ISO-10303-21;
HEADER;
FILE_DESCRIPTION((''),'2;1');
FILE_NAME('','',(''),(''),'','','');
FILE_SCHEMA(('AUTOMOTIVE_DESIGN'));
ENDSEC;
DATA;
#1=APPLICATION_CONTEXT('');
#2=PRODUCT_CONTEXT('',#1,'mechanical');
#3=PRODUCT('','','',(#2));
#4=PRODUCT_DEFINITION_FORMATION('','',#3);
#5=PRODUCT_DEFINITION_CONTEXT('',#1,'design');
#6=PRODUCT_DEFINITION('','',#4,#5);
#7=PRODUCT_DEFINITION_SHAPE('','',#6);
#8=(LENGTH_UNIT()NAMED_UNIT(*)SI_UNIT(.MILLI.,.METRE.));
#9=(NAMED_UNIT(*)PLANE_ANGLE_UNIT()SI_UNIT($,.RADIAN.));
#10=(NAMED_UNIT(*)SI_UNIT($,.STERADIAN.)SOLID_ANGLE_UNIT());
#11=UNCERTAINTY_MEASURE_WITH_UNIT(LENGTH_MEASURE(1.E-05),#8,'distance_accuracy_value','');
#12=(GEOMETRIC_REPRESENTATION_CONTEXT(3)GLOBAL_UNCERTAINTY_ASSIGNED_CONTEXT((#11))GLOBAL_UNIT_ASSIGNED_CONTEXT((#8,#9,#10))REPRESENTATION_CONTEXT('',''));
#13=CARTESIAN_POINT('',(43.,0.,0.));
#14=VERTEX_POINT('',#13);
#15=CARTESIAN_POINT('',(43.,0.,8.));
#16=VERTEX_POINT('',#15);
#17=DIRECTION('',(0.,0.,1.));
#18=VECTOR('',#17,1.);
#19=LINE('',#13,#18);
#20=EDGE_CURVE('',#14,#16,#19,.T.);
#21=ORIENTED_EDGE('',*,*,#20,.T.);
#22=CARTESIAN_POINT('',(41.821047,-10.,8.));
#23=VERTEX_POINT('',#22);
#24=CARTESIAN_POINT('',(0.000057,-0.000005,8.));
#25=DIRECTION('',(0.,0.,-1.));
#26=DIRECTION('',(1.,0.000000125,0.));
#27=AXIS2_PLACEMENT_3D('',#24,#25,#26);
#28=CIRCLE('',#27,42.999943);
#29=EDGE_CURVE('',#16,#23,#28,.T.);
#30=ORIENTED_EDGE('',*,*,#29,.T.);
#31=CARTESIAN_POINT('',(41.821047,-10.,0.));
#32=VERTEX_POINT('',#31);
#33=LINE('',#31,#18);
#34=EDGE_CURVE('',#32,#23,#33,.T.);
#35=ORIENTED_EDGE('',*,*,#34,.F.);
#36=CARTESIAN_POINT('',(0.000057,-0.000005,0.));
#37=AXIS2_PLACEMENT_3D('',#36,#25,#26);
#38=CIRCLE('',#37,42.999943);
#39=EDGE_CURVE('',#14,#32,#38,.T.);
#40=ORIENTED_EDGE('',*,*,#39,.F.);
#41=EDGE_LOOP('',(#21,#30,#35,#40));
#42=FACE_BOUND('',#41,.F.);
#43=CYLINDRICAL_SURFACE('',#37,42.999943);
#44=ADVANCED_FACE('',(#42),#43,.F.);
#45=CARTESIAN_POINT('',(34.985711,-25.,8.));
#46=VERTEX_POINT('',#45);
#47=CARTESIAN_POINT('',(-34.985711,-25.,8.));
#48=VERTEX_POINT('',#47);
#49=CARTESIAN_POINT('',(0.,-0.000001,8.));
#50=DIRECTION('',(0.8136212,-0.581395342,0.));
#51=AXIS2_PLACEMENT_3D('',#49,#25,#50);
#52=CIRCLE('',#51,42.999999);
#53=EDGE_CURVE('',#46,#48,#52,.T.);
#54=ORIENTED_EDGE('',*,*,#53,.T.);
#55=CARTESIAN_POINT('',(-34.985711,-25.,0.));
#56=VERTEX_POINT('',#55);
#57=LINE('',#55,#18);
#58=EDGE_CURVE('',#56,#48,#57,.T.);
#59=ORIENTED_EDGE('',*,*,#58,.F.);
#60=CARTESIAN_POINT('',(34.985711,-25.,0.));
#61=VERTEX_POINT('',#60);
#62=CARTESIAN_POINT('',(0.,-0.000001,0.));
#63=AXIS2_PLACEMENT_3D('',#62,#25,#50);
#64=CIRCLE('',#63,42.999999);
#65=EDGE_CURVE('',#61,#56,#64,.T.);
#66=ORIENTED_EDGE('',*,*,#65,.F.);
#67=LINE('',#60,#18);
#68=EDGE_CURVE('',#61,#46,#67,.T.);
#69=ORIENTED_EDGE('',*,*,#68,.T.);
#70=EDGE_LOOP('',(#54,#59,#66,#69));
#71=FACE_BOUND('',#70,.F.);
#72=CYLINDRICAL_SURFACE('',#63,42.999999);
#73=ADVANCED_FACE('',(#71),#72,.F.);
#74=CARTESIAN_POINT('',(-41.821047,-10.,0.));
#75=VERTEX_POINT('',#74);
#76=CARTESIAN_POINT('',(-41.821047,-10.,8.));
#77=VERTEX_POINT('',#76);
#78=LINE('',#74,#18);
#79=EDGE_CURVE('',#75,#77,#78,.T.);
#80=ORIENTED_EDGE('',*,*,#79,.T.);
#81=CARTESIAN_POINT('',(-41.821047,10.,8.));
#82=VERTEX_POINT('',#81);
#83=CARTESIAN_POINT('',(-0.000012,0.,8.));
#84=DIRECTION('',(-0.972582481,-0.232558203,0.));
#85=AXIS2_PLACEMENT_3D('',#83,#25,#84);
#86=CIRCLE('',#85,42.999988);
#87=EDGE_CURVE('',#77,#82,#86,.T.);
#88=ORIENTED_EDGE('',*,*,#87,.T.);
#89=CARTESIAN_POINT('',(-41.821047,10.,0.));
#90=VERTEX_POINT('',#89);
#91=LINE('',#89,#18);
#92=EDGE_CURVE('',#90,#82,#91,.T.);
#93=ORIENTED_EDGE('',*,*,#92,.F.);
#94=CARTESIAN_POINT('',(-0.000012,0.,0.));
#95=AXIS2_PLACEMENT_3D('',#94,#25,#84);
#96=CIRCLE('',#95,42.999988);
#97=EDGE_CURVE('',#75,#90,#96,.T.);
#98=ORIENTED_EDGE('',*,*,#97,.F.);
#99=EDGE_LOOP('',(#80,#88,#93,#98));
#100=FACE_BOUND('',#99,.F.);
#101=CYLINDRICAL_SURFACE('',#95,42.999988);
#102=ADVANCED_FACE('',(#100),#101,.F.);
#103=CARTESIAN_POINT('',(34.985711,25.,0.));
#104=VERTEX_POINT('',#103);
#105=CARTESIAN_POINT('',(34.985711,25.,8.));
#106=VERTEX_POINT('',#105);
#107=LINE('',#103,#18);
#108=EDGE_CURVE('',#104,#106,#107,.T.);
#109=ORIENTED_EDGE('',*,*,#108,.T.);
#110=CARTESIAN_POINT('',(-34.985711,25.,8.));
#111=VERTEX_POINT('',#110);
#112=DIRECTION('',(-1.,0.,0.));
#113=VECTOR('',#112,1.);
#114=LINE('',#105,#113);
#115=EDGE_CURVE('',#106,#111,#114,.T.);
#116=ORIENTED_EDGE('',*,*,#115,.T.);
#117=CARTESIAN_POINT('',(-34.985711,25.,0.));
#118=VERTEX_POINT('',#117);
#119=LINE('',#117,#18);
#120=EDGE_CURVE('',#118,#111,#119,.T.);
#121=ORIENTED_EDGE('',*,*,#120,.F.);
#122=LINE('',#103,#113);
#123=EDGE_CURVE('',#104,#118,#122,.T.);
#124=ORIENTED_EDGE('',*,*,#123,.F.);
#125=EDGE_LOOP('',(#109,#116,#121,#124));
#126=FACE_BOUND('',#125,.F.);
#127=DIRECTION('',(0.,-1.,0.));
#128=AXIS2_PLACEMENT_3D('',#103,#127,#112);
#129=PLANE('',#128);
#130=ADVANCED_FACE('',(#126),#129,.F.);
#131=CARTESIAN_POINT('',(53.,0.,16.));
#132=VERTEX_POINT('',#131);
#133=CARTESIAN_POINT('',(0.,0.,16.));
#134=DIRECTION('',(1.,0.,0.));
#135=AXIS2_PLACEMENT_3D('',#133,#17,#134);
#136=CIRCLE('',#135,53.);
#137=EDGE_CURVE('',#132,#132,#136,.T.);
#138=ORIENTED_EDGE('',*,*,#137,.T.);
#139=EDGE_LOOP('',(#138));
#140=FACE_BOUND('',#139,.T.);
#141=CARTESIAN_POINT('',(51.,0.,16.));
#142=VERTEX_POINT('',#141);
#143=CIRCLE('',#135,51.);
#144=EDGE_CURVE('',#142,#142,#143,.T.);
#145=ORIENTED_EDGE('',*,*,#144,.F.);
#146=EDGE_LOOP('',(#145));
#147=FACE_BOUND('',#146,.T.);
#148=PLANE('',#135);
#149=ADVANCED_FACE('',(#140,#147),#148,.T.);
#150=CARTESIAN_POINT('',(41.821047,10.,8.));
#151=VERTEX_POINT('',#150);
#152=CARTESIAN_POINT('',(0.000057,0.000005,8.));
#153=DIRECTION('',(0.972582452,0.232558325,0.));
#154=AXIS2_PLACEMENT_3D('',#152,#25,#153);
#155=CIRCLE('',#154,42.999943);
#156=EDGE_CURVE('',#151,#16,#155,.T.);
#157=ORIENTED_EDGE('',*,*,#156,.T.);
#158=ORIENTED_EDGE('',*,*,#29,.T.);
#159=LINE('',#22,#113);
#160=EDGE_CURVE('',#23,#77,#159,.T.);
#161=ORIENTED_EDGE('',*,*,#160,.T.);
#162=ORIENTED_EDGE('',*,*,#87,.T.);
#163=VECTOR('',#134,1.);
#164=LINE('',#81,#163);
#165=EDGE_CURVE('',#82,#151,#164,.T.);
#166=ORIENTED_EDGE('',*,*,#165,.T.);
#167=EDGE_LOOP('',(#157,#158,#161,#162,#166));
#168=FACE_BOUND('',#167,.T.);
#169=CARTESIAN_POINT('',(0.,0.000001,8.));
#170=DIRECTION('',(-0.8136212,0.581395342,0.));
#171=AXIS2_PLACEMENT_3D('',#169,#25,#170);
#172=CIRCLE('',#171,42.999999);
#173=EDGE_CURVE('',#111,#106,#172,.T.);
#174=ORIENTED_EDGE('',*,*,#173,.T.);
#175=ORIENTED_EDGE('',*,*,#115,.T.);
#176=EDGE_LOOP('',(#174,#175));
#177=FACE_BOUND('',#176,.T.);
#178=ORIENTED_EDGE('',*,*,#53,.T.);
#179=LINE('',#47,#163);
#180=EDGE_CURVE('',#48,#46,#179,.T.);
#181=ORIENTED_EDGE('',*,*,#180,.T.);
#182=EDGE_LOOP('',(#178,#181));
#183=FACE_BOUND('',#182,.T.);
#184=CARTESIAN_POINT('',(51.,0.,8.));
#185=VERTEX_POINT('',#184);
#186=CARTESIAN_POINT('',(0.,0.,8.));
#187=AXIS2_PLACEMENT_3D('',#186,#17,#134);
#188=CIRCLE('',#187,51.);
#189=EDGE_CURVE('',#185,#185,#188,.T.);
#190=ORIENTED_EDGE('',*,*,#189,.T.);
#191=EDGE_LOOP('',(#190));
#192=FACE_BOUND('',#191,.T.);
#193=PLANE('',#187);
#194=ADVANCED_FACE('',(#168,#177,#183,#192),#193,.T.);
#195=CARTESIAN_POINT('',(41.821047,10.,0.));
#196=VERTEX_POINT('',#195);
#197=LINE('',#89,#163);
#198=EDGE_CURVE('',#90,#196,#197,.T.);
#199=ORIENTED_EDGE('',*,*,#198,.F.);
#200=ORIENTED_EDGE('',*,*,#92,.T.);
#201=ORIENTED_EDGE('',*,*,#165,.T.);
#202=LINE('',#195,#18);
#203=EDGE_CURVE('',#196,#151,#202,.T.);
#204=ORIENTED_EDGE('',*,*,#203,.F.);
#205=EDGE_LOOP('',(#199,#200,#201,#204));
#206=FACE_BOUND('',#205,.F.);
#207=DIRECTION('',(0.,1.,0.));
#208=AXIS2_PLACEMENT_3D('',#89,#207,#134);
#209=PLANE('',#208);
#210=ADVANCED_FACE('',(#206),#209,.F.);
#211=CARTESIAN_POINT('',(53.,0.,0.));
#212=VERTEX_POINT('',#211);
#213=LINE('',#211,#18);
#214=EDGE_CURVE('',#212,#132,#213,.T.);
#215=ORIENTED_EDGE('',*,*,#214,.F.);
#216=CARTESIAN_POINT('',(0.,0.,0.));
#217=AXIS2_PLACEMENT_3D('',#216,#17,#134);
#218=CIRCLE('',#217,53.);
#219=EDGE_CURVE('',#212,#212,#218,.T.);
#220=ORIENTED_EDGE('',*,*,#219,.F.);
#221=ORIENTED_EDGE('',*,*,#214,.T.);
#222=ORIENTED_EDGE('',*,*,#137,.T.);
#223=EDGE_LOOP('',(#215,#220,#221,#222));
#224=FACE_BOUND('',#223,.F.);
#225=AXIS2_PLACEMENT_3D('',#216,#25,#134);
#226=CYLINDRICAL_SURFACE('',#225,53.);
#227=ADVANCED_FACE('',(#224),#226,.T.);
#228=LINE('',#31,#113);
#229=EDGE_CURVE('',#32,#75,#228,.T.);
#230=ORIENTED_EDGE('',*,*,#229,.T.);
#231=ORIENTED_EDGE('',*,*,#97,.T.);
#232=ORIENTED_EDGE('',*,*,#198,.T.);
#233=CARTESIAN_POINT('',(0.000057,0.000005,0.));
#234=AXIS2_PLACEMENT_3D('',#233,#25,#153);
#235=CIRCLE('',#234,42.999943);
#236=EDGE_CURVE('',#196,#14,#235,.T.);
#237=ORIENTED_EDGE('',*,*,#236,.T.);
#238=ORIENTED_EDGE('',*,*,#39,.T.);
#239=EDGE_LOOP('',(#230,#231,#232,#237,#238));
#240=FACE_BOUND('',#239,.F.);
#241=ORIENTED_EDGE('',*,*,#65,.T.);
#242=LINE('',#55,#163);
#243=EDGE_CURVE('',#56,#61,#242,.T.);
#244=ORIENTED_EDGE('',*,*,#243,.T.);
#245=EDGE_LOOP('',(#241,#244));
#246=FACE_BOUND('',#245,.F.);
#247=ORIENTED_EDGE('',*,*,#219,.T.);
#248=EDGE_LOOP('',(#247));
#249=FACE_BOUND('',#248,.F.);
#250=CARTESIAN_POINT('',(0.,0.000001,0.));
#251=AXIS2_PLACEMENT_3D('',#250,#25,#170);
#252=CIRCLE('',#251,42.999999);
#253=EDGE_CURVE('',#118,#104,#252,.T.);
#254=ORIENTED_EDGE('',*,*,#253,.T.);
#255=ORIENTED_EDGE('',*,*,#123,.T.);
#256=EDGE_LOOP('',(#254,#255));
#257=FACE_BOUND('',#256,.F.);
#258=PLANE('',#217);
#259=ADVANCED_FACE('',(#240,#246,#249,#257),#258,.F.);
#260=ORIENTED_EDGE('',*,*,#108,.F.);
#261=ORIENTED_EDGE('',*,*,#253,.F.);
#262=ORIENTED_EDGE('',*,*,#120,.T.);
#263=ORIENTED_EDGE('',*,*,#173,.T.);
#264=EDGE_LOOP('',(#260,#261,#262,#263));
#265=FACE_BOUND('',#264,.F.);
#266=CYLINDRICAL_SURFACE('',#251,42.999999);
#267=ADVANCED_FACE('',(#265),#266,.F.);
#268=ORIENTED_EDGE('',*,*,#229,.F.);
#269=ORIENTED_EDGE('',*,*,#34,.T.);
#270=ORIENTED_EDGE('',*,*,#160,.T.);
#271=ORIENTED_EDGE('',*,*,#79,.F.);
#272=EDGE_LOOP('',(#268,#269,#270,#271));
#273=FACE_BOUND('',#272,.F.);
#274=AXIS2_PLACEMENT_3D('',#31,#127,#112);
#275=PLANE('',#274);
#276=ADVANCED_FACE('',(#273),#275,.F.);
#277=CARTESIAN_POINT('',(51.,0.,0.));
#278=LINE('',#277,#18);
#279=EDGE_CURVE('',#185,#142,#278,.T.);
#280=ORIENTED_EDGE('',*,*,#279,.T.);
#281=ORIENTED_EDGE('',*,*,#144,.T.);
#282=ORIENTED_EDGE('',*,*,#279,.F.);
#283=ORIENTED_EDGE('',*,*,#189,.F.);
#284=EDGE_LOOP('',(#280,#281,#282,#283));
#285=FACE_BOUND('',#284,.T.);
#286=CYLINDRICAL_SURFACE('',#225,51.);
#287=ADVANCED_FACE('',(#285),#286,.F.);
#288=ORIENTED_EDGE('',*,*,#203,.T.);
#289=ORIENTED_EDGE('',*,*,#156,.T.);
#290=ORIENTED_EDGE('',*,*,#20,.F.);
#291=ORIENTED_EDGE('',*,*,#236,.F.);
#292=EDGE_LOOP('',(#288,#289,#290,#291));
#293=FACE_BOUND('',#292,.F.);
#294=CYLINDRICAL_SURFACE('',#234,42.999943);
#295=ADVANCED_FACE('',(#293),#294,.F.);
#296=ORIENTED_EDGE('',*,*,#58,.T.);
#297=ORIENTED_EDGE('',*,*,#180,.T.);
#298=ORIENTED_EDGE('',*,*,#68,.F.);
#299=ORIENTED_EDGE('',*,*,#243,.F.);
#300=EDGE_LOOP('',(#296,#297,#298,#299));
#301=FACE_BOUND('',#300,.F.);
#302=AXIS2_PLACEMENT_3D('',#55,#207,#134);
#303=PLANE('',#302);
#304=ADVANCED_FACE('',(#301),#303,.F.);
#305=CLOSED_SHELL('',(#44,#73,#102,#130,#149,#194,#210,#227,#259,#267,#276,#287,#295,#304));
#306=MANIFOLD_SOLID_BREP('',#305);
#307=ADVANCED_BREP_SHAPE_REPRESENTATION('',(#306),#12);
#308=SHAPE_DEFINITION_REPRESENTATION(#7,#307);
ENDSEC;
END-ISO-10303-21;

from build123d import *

# Parameters (mm, degrees)
F0_R     = 51
F1_DEPTH = 8
F0_R_2   = 53
F2_DEPTH = 16


with BuildPart() as f1:
    # F0 (on Top) → F1 (new body)
    with BuildSketch(Plane.XY):
        Circle(F0_R)
        with BuildLine():
            ThreePointArc((41.821047, 10), (42.704245, 5.034628), (43, 0))
            ThreePointArc((43, 0), (42.704245, -5.034628), (41.821047, -10))
            ThreePointArc((41.821047, -10), (39.128884, -17.830604), (34.985711, -25))
            ThreePointArc((34.985711, -25), (0, -43), (-34.985711, -25))
            ThreePointArc((-34.985711, -25), (-39.128884, -17.830604), (-41.821047, -10))
            ThreePointArc((-41.821047, -10), (-43, 0), (-41.821047, 10))
            ThreePointArc((-41.821047, 10), (-39.128884, 17.830604), (-34.985711, 25))
            ThreePointArc((-34.985711, 25), (0, 43), (34.985711, 25))
            ThreePointArc((34.985711, 25), (39.128884, 17.830604), (41.821047, 10))
        make_face(mode=Mode.SUBTRACT)
        with BuildLine():
            Line((-41.821047, 10), (41.821047, 10))
            ThreePointArc((41.821047, 10), (39.128884, 17.830604), (34.985711, 25))
            Line((34.985711, 25), (-34.985711, 25))
            ThreePointArc((-34.985711, 25), (-39.128884, 17.830604), (-41.821047, 10))
        make_face()
        with BuildLine():
            ThreePointArc((34.985711, -25), (39.128884, -17.830604), (41.821047, -10))
            Line((41.821047, -10), (-41.821047, -10))
            ThreePointArc((-41.821047, -10), (-39.128884, -17.830604), (-34.985711, -25))
            Line((-34.985711, -25), (34.985711, -25))
        make_face()
    extrude(amount=F1_DEPTH)

    # F0 (on Top) → F2 (join)
    with BuildSketch(Plane.XY):
        Circle(F0_R_2)
        Circle(F0_R, mode=Mode.SUBTRACT)
    extrude(amount=F2_DEPTH)


solid = f1.part
